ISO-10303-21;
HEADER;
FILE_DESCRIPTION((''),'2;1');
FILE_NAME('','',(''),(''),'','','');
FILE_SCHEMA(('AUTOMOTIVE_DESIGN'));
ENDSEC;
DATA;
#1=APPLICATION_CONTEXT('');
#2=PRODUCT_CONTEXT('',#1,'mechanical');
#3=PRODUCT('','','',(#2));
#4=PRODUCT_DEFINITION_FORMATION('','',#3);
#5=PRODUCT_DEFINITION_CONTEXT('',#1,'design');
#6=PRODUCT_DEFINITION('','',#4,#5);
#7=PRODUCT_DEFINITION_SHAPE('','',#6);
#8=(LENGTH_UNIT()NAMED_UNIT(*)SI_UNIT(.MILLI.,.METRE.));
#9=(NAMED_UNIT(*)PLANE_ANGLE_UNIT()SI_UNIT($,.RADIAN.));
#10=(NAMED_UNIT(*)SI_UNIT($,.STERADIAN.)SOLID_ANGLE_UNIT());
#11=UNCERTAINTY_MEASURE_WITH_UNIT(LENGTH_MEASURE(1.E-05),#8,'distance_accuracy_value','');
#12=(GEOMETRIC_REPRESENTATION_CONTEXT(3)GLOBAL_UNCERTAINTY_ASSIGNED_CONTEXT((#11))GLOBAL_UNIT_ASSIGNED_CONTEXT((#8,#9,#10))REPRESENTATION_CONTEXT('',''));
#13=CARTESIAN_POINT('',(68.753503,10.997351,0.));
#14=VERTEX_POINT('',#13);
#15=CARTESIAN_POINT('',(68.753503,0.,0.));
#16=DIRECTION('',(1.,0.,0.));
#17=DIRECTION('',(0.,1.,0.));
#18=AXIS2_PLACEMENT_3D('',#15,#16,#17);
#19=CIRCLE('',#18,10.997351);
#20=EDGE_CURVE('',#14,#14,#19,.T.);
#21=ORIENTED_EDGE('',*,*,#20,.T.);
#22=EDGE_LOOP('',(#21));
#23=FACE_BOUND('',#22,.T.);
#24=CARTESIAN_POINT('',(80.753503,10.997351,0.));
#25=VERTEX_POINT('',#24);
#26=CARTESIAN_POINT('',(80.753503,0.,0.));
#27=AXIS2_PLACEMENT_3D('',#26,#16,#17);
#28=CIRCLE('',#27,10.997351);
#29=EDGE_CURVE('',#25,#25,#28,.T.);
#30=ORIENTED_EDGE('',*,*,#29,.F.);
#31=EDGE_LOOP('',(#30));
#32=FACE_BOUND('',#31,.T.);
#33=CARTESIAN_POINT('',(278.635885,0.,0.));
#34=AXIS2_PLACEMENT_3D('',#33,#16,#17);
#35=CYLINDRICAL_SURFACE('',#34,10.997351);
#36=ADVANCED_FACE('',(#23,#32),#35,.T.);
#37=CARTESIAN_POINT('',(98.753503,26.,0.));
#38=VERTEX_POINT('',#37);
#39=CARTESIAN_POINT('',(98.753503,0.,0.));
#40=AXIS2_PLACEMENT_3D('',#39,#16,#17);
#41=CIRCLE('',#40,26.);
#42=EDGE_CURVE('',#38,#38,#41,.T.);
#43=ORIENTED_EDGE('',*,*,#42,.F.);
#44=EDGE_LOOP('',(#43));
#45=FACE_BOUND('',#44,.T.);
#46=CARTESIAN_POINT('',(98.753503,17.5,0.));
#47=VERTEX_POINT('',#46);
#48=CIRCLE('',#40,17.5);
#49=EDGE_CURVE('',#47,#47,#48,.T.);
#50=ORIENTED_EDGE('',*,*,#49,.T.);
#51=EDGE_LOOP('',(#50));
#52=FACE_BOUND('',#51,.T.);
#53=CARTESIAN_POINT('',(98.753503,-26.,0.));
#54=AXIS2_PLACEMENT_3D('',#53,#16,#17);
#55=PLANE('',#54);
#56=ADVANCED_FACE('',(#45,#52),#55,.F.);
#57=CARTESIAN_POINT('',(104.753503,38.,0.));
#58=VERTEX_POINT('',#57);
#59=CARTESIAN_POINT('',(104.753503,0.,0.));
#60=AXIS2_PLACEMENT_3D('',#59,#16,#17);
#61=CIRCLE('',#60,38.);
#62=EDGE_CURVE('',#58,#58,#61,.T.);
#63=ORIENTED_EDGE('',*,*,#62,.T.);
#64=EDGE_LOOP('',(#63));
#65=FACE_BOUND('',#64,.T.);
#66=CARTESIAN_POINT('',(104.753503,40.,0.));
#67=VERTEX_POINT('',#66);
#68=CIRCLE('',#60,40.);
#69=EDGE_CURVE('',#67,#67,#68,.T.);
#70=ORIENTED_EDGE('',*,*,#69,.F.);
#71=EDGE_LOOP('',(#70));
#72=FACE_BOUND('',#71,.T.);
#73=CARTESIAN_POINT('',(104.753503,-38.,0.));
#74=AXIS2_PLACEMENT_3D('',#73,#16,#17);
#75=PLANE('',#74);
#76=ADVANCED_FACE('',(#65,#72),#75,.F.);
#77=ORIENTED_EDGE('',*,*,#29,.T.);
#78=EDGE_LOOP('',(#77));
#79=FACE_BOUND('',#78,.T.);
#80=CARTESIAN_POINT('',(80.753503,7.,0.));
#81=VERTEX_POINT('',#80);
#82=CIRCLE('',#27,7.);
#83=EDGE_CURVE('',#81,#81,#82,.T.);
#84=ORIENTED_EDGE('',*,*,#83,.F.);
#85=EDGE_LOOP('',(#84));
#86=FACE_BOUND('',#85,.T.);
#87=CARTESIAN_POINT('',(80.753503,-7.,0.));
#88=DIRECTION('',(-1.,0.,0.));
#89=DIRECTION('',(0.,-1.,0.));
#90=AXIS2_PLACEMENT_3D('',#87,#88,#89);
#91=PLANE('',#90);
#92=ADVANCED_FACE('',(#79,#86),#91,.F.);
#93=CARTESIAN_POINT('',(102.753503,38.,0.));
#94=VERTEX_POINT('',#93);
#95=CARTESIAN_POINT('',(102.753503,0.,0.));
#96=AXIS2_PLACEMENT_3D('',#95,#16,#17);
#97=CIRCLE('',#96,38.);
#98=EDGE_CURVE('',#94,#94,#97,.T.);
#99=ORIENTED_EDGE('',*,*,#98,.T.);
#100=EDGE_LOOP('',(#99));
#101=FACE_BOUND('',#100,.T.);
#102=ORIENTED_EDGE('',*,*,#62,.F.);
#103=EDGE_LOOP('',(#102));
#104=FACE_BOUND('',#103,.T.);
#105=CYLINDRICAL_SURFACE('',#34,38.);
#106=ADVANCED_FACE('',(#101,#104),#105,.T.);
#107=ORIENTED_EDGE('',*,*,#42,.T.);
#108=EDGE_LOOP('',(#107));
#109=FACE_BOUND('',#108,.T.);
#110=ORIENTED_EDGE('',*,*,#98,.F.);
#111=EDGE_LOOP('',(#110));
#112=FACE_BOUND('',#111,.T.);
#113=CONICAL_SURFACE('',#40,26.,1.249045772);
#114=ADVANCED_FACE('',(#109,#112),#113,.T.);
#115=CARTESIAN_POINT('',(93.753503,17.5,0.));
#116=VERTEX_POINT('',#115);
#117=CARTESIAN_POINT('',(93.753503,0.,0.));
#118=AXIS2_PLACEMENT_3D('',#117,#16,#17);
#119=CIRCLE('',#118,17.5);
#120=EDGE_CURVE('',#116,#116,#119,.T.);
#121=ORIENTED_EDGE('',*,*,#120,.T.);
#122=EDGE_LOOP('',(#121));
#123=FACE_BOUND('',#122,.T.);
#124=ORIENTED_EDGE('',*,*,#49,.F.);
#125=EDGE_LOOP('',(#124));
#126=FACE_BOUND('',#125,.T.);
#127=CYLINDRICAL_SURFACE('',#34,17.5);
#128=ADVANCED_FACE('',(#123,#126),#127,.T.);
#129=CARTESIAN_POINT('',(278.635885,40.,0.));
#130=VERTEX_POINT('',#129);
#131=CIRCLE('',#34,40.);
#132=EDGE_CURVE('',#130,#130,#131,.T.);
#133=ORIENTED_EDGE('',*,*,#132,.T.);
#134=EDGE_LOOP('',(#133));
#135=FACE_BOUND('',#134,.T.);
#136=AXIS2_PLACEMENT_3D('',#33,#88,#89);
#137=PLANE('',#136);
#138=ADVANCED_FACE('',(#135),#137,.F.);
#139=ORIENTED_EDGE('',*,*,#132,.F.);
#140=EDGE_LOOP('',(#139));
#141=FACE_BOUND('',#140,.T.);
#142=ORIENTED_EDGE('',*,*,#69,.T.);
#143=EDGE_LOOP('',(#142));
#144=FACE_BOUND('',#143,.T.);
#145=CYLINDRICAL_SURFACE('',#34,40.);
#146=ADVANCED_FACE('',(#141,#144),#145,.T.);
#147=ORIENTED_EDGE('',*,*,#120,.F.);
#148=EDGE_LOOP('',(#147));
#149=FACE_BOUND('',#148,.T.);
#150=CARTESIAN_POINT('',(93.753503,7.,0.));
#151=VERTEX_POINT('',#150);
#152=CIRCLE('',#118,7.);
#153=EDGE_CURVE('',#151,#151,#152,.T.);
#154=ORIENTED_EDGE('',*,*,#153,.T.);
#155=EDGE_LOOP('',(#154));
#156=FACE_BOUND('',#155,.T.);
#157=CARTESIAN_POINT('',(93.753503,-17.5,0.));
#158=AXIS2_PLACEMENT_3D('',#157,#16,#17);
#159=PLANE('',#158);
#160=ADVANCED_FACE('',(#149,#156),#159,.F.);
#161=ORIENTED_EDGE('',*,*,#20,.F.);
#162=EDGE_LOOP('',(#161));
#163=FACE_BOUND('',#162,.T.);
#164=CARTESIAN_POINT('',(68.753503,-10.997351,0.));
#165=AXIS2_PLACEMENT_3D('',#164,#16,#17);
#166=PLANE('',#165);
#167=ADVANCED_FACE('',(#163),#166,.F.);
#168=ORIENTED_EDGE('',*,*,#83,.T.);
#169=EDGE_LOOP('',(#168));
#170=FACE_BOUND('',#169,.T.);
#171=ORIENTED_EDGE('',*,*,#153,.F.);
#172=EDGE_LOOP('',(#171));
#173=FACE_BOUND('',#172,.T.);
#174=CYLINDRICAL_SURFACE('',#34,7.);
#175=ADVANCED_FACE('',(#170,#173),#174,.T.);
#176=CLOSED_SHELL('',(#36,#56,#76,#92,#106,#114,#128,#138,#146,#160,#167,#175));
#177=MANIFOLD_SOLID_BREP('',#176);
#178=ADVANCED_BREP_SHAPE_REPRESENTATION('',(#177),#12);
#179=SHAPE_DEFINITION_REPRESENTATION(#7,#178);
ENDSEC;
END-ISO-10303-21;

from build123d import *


with BuildPart() as part:
    # Esquisse1 → Révolution1 (revolve)
    with BuildSketch(Plane.XY, mode=Mode.PRIVATE) as r_volution1_sk:
        Polygon((278.635884667, 0), (278.635884667, -40), (258.753503301, -40), (104.753503301, -40), (104.753503301, -38), (102.753503301, -38), (98.753503301, -26), (98.753503301, -17.5), (93.753503301, -17.5), (93.753503301, -7), (80.753503301, -7), (80.753503301, -10.997351134), (68.753503301, -10.997351134), (68.753503301, 0), align=None)
    revolve(r_volution1_sk.sketch.rotate(Axis((278.635884667, 0, 0), (-1, 0, 0)), 180), axis=Axis((278.635884667, 0, 0), (-1, 0, 0)))


solid = part.part
